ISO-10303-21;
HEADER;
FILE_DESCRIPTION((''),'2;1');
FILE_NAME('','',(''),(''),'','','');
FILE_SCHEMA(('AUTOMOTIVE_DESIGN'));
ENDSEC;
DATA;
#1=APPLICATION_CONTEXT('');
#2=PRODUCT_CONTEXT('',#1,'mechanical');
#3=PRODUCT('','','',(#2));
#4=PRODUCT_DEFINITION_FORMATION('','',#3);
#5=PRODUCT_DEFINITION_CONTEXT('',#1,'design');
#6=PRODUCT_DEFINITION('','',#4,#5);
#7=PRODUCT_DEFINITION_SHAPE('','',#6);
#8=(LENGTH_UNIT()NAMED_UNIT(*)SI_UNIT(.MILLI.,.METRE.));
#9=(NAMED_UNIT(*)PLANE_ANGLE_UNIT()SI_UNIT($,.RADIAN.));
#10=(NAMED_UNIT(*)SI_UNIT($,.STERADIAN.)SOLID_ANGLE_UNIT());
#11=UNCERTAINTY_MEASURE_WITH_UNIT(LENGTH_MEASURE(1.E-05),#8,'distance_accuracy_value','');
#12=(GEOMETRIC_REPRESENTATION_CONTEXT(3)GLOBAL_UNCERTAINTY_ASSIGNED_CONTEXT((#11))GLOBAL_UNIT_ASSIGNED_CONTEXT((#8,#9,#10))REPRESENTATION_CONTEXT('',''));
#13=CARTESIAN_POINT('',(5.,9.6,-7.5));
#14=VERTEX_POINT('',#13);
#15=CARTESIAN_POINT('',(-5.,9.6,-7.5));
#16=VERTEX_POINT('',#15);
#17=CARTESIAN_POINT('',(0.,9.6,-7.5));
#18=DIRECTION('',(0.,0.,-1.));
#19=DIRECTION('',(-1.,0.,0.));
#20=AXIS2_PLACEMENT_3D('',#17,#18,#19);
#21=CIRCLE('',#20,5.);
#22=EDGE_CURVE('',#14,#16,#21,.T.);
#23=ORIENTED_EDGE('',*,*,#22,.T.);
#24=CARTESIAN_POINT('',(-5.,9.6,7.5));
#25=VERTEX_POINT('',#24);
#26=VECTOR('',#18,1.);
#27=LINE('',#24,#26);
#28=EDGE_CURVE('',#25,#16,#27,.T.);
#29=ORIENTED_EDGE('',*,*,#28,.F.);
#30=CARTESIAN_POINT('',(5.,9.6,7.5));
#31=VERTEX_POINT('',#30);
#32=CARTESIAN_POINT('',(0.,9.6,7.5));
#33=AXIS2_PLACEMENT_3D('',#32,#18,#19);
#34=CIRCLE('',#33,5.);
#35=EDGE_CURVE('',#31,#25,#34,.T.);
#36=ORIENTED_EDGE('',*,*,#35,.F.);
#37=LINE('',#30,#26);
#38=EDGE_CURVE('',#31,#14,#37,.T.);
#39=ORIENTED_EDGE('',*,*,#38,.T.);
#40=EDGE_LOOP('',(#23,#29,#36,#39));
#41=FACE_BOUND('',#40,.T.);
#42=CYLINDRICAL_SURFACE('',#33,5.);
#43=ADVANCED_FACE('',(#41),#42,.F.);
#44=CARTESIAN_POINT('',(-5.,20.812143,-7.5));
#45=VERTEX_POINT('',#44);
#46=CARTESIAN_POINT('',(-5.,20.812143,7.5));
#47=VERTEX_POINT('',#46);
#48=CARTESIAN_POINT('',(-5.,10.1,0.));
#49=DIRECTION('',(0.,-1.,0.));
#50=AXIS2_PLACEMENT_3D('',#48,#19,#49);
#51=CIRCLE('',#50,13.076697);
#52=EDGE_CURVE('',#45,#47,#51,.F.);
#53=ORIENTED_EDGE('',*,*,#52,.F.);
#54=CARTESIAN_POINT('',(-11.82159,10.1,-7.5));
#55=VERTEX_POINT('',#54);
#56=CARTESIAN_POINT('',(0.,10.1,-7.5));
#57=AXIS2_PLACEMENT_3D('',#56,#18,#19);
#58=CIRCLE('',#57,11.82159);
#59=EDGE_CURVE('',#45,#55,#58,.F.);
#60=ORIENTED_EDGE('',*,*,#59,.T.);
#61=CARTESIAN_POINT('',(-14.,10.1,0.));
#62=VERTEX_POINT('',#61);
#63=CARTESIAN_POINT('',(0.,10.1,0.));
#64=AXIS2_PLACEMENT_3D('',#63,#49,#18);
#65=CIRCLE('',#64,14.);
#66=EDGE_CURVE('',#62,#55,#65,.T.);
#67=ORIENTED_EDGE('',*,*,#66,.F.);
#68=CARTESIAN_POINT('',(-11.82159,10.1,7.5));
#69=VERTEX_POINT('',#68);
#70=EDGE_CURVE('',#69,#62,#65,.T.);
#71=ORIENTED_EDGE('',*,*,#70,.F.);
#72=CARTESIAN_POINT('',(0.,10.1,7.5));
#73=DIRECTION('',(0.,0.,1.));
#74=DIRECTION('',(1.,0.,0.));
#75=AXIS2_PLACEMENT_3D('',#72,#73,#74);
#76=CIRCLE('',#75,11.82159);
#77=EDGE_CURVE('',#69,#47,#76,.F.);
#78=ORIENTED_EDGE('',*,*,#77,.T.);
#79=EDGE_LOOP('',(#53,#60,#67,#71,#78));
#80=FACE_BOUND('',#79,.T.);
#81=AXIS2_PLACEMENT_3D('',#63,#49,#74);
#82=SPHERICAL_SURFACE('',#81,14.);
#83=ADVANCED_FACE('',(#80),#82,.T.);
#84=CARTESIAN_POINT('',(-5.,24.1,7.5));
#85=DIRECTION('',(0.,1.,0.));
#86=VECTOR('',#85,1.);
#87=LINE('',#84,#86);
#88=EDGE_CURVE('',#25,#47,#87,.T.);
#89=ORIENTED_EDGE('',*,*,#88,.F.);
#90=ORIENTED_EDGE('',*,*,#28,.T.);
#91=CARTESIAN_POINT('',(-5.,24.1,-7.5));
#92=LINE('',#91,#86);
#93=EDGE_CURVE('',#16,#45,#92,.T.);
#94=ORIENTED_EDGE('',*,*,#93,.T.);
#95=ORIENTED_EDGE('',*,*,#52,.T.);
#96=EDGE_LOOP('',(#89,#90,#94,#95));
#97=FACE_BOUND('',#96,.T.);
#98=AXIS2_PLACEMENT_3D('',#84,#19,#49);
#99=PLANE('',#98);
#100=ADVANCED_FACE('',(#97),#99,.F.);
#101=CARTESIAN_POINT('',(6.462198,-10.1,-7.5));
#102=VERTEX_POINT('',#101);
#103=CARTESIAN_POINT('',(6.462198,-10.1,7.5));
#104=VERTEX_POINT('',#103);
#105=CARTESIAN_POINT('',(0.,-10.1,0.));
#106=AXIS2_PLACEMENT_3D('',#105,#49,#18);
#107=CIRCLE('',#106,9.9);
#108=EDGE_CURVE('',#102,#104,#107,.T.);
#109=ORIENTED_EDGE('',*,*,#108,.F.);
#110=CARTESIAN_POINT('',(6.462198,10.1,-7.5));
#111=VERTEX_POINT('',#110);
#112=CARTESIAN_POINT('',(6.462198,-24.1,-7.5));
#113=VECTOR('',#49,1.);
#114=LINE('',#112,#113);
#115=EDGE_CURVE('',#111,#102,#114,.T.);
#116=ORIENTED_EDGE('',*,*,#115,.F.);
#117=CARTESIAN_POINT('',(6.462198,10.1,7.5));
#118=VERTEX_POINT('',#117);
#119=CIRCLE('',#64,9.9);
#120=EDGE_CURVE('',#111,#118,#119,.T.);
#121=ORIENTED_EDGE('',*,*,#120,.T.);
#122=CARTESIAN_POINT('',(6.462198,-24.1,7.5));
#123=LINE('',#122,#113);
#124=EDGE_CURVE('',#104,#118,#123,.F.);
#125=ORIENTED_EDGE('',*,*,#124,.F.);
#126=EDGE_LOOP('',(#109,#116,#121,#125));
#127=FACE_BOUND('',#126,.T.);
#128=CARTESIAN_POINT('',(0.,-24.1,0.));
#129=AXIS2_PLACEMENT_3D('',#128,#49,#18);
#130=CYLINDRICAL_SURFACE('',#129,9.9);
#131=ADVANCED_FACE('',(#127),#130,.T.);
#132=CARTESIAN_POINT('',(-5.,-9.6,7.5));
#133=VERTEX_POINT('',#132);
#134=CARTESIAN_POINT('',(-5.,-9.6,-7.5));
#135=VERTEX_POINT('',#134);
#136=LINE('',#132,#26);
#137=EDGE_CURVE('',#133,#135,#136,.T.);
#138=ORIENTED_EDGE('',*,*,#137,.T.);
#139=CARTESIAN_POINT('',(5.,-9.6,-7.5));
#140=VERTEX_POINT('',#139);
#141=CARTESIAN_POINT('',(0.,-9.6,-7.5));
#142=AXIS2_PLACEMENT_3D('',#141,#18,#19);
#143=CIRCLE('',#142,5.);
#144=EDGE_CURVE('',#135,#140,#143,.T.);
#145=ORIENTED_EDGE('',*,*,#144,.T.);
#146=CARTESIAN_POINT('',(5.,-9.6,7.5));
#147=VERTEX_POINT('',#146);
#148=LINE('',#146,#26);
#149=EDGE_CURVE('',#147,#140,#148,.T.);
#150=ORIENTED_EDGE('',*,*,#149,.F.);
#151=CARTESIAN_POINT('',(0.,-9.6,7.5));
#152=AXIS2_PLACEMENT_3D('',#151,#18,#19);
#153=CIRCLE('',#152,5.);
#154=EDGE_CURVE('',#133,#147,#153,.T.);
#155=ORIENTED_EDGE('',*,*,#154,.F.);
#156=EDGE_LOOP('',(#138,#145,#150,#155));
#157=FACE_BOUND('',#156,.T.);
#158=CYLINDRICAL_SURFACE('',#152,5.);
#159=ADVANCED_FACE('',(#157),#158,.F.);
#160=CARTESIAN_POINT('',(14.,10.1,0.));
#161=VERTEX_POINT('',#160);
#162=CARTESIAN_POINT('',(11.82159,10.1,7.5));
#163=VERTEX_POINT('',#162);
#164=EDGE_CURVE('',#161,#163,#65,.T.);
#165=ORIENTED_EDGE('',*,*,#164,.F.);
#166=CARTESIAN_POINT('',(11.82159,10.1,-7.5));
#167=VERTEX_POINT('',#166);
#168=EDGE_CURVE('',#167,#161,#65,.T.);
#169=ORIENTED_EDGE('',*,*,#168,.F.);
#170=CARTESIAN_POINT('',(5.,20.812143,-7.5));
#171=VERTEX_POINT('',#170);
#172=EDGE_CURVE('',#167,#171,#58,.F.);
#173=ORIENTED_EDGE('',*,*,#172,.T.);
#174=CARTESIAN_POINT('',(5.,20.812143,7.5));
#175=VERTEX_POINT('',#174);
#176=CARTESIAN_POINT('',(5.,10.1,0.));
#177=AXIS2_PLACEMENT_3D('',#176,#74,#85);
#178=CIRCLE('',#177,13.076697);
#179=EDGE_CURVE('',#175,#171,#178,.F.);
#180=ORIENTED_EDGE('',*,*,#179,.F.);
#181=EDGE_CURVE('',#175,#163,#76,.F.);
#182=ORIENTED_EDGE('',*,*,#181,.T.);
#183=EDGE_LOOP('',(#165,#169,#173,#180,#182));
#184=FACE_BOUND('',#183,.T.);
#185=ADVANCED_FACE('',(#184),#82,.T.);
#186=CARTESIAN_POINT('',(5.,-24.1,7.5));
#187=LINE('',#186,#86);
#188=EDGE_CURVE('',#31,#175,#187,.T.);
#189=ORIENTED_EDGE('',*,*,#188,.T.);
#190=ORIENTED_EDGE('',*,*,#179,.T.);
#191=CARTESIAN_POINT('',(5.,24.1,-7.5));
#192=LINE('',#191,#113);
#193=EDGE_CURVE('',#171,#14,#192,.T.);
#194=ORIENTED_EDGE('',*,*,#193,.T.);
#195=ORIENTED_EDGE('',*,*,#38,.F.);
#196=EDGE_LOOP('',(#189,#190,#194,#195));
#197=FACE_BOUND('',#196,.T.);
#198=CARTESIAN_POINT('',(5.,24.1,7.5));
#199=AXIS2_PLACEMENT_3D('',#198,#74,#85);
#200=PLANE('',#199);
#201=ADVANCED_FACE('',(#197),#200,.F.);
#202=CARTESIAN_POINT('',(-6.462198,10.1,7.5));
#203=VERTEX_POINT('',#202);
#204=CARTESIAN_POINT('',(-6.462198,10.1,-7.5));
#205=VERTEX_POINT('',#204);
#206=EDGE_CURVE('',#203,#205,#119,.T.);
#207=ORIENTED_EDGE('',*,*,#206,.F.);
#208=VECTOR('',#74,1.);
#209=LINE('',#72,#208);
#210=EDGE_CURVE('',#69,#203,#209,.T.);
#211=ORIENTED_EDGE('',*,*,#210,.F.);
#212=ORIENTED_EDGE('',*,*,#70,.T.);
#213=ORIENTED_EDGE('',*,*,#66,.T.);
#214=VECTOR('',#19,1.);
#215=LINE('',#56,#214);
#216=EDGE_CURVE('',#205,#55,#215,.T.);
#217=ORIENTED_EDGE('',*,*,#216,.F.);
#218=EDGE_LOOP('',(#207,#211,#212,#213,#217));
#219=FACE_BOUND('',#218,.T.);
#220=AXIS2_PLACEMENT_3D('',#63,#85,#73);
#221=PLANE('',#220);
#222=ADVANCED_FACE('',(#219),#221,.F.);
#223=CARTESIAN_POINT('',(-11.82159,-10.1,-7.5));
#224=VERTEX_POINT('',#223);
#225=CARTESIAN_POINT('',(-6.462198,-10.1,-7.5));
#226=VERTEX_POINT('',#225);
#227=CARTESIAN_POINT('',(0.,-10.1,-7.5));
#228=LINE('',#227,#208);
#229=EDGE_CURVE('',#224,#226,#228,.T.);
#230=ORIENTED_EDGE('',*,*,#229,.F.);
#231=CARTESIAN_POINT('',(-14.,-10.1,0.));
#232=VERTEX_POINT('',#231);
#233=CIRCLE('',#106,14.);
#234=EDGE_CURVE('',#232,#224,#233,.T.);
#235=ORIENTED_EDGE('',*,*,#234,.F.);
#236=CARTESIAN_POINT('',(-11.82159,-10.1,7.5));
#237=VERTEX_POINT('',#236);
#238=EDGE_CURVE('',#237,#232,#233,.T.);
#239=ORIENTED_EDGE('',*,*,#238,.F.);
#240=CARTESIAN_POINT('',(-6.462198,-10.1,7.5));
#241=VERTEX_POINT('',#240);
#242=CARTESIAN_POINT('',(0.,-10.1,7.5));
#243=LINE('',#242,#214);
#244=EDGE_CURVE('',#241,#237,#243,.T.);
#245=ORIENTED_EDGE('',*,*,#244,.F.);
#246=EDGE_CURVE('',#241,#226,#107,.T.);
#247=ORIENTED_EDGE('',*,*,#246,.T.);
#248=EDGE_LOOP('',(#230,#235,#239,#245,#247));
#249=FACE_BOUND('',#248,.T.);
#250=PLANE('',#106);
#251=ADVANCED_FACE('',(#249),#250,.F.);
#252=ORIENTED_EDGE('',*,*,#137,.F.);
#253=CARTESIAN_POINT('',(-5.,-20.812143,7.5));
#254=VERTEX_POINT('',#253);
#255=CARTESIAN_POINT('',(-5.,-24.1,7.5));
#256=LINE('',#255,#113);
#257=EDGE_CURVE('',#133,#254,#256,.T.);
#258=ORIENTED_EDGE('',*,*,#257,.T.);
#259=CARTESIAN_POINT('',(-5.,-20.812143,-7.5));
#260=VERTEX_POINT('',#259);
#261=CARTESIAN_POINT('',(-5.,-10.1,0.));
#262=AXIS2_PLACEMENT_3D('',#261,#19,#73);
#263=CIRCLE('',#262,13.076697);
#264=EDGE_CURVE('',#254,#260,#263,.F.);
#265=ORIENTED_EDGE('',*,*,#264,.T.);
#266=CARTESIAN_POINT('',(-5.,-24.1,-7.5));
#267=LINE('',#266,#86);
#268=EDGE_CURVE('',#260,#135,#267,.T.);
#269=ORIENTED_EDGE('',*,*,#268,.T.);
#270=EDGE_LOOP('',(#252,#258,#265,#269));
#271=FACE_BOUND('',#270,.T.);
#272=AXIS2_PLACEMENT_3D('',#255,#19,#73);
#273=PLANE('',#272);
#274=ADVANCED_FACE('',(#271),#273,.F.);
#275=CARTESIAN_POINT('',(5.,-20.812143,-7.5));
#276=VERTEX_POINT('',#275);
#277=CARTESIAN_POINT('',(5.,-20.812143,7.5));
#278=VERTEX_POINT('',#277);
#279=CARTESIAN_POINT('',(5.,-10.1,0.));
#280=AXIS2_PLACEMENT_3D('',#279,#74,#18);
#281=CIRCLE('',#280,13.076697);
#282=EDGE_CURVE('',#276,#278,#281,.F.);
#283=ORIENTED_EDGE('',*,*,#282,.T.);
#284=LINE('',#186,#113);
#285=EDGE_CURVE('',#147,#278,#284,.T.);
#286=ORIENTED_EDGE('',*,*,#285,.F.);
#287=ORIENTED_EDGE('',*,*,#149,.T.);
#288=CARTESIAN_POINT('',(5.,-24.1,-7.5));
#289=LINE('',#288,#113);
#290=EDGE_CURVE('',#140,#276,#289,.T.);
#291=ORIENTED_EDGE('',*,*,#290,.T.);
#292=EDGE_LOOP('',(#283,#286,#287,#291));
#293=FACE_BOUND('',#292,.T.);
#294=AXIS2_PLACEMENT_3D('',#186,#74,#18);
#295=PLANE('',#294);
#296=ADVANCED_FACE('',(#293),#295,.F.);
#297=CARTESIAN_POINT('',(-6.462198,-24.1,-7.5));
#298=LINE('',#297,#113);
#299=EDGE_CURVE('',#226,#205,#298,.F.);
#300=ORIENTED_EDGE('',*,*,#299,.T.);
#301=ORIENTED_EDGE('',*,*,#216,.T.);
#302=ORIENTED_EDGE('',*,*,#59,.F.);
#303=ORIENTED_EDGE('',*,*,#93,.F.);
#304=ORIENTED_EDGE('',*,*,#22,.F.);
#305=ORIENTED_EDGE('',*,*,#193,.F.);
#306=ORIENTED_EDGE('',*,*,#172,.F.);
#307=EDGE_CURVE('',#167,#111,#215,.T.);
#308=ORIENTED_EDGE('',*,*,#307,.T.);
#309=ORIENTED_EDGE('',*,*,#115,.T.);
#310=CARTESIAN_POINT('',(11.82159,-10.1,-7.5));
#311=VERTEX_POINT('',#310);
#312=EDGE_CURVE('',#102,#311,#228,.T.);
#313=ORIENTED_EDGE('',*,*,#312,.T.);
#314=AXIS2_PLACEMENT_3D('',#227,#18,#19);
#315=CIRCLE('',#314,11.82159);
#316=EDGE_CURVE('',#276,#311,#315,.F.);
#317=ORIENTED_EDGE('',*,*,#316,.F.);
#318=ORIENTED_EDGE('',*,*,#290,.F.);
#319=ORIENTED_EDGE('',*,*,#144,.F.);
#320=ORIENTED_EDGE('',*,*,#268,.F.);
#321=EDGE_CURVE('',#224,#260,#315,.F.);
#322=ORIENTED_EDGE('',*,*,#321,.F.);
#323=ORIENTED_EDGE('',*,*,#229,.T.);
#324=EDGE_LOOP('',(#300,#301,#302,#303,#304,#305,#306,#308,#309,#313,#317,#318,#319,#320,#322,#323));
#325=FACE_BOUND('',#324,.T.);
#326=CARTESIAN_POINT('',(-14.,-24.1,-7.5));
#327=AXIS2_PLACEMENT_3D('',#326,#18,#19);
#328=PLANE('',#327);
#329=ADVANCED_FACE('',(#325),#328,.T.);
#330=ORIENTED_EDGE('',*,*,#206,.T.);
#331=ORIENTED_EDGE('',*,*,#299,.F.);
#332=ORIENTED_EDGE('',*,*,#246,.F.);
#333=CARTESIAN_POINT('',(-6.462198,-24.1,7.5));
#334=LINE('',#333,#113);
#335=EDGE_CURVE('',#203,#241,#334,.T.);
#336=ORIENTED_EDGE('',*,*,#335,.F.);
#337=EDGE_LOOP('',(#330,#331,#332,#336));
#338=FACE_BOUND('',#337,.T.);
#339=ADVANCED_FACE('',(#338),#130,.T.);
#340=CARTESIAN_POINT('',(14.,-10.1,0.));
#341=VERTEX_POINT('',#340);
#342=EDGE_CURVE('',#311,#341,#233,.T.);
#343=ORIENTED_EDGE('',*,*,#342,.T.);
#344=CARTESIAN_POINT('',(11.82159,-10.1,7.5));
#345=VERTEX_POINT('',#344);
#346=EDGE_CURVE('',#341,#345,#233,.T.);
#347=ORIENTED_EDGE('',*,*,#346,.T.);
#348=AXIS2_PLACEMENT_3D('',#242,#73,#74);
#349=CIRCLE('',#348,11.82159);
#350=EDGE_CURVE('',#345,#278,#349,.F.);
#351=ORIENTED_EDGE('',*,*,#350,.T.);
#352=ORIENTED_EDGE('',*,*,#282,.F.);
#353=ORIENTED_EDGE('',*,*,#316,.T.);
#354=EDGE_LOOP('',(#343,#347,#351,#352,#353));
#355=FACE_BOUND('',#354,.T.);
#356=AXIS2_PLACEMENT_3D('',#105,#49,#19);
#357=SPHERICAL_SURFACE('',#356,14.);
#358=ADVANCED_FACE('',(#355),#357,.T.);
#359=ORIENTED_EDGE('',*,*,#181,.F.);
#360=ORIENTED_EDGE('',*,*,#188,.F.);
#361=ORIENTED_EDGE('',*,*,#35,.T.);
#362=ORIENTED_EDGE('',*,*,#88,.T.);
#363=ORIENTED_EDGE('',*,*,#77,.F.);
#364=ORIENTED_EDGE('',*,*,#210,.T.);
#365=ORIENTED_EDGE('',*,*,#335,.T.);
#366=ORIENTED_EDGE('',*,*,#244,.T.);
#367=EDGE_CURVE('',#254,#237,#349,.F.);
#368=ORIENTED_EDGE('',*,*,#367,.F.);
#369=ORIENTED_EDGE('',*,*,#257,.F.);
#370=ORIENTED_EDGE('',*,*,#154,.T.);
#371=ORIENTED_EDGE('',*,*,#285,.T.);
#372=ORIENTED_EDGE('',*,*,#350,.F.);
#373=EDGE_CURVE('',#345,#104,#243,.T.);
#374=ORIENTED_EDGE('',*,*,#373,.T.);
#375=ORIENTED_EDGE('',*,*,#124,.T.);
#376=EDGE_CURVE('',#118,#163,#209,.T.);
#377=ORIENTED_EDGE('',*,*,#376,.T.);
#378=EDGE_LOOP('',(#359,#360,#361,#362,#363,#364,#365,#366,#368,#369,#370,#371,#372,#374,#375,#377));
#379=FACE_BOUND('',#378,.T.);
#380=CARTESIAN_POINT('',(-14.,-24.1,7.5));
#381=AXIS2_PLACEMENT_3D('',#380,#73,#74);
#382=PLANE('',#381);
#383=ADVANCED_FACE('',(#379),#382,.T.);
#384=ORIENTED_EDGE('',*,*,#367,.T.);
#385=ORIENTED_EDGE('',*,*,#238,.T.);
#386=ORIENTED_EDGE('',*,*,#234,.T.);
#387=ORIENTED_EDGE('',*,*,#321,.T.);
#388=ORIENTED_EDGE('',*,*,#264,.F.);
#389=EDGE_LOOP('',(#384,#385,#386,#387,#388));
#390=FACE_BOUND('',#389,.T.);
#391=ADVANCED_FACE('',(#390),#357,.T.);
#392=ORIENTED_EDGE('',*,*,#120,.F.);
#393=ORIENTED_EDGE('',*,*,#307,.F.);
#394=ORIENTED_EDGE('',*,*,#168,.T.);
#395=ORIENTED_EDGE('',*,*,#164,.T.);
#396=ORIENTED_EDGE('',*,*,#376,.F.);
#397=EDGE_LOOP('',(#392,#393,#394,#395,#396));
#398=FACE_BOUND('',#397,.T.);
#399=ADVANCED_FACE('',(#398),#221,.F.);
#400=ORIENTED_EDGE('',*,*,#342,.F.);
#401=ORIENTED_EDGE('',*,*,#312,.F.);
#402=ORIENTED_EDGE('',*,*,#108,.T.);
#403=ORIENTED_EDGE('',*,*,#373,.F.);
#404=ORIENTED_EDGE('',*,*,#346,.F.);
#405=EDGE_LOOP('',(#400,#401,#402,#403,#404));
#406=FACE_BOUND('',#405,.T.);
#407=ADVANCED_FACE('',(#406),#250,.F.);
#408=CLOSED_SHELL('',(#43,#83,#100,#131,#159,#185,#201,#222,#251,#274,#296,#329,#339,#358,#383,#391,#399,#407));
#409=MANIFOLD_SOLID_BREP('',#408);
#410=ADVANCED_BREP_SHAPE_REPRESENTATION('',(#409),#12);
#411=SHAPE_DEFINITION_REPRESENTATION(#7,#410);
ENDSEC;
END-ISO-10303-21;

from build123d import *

# Parameters (mm, degrees)
ESBO_O2_OUTSIDE_W          = 42.476
ESBO_O2_OUTSIDE_H          = 42.476
ESBO_O2_OUTSIDE_W_2        = 28
ESBO_O2_OUTSIDE_H_2        = 15
CORTE_EXTRUS_O1_DEPTH      = 25.1
CORTE_EXTRUS_O1_DEPTH_BACK = 25.1
CORTE_EXTRUS_O2_DEPTH      = 16


with BuildPart() as part:
    # Esboço1 → Revolução1 (revolve)
    with BuildSketch(Plane.XY):
        with BuildLine():
            Line((0, 24.1), (0, -24.1))
            ThreePointArc((0, -24.1), (9.899494937, -19.999494937), (14, -10.1))
            Line((14, -10.1), (9.9, -10.1))
            Line((9.9, -10.1), (9.9, 10.1))
            Line((9.9, 10.1), (14, 10.1))
            ThreePointArc((14, 10.1), (9.899494937, 19.999494937), (0, 24.1))
        make_face()
    revolve(axis=Axis((0, -24.1, 0), (0, 1, 0)))

    # Esboço2 outside → Corte-extrusão1 (cut, two sides)
    with BuildSketch(Plane(origin=(0, 0, 0), x_dir=(1, 0, 0), z_dir=(0, 1, 0))) as corte_extrus_o1_sk:
        Rectangle(ESBO_O2_OUTSIDE_W, ESBO_O2_OUTSIDE_H)
        Rectangle(ESBO_O2_OUTSIDE_W_2, ESBO_O2_OUTSIDE_H_2, mode=Mode.SUBTRACT)
    extrude(amount=CORTE_EXTRUS_O1_DEPTH, mode=Mode.SUBTRACT)
    extrude(corte_extrus_o1_sk.sketch, amount=-CORTE_EXTRUS_O1_DEPTH_BACK, mode=Mode.SUBTRACT)

    # Esboço3 → Corte-extrusão2 (cut, through all)
    with BuildSketch(Plane(origin=(0, 0, -7.5), x_dir=(-1, 0, 0), z_dir=(0, 0, -1))):
        with BuildLine():
            Line((5, 24.1), (5, 9.6))
            ThreePointArc((5, 9.6), (0, 4.6), (-5, 9.6))
            Line((-5, 9.6), (-5, 24.1))
            ThreePointArc((-5, 24.1), (0, 29.1), (5, 24.1))
        make_face()
        with BuildLine():
            Line((-5, -24.1), (-5, -9.6))
            ThreePointArc((-5, -9.6), (0, -4.6), (5, -9.6))
            Line((5, -9.6), (5, -24.1))
            ThreePointArc((5, -24.1), (0, -29.1), (-5, -24.1))
        make_face()
    extrude(amount=-CORTE_EXTRUS_O2_DEPTH, mode=Mode.SUBTRACT)


solid = part.part
